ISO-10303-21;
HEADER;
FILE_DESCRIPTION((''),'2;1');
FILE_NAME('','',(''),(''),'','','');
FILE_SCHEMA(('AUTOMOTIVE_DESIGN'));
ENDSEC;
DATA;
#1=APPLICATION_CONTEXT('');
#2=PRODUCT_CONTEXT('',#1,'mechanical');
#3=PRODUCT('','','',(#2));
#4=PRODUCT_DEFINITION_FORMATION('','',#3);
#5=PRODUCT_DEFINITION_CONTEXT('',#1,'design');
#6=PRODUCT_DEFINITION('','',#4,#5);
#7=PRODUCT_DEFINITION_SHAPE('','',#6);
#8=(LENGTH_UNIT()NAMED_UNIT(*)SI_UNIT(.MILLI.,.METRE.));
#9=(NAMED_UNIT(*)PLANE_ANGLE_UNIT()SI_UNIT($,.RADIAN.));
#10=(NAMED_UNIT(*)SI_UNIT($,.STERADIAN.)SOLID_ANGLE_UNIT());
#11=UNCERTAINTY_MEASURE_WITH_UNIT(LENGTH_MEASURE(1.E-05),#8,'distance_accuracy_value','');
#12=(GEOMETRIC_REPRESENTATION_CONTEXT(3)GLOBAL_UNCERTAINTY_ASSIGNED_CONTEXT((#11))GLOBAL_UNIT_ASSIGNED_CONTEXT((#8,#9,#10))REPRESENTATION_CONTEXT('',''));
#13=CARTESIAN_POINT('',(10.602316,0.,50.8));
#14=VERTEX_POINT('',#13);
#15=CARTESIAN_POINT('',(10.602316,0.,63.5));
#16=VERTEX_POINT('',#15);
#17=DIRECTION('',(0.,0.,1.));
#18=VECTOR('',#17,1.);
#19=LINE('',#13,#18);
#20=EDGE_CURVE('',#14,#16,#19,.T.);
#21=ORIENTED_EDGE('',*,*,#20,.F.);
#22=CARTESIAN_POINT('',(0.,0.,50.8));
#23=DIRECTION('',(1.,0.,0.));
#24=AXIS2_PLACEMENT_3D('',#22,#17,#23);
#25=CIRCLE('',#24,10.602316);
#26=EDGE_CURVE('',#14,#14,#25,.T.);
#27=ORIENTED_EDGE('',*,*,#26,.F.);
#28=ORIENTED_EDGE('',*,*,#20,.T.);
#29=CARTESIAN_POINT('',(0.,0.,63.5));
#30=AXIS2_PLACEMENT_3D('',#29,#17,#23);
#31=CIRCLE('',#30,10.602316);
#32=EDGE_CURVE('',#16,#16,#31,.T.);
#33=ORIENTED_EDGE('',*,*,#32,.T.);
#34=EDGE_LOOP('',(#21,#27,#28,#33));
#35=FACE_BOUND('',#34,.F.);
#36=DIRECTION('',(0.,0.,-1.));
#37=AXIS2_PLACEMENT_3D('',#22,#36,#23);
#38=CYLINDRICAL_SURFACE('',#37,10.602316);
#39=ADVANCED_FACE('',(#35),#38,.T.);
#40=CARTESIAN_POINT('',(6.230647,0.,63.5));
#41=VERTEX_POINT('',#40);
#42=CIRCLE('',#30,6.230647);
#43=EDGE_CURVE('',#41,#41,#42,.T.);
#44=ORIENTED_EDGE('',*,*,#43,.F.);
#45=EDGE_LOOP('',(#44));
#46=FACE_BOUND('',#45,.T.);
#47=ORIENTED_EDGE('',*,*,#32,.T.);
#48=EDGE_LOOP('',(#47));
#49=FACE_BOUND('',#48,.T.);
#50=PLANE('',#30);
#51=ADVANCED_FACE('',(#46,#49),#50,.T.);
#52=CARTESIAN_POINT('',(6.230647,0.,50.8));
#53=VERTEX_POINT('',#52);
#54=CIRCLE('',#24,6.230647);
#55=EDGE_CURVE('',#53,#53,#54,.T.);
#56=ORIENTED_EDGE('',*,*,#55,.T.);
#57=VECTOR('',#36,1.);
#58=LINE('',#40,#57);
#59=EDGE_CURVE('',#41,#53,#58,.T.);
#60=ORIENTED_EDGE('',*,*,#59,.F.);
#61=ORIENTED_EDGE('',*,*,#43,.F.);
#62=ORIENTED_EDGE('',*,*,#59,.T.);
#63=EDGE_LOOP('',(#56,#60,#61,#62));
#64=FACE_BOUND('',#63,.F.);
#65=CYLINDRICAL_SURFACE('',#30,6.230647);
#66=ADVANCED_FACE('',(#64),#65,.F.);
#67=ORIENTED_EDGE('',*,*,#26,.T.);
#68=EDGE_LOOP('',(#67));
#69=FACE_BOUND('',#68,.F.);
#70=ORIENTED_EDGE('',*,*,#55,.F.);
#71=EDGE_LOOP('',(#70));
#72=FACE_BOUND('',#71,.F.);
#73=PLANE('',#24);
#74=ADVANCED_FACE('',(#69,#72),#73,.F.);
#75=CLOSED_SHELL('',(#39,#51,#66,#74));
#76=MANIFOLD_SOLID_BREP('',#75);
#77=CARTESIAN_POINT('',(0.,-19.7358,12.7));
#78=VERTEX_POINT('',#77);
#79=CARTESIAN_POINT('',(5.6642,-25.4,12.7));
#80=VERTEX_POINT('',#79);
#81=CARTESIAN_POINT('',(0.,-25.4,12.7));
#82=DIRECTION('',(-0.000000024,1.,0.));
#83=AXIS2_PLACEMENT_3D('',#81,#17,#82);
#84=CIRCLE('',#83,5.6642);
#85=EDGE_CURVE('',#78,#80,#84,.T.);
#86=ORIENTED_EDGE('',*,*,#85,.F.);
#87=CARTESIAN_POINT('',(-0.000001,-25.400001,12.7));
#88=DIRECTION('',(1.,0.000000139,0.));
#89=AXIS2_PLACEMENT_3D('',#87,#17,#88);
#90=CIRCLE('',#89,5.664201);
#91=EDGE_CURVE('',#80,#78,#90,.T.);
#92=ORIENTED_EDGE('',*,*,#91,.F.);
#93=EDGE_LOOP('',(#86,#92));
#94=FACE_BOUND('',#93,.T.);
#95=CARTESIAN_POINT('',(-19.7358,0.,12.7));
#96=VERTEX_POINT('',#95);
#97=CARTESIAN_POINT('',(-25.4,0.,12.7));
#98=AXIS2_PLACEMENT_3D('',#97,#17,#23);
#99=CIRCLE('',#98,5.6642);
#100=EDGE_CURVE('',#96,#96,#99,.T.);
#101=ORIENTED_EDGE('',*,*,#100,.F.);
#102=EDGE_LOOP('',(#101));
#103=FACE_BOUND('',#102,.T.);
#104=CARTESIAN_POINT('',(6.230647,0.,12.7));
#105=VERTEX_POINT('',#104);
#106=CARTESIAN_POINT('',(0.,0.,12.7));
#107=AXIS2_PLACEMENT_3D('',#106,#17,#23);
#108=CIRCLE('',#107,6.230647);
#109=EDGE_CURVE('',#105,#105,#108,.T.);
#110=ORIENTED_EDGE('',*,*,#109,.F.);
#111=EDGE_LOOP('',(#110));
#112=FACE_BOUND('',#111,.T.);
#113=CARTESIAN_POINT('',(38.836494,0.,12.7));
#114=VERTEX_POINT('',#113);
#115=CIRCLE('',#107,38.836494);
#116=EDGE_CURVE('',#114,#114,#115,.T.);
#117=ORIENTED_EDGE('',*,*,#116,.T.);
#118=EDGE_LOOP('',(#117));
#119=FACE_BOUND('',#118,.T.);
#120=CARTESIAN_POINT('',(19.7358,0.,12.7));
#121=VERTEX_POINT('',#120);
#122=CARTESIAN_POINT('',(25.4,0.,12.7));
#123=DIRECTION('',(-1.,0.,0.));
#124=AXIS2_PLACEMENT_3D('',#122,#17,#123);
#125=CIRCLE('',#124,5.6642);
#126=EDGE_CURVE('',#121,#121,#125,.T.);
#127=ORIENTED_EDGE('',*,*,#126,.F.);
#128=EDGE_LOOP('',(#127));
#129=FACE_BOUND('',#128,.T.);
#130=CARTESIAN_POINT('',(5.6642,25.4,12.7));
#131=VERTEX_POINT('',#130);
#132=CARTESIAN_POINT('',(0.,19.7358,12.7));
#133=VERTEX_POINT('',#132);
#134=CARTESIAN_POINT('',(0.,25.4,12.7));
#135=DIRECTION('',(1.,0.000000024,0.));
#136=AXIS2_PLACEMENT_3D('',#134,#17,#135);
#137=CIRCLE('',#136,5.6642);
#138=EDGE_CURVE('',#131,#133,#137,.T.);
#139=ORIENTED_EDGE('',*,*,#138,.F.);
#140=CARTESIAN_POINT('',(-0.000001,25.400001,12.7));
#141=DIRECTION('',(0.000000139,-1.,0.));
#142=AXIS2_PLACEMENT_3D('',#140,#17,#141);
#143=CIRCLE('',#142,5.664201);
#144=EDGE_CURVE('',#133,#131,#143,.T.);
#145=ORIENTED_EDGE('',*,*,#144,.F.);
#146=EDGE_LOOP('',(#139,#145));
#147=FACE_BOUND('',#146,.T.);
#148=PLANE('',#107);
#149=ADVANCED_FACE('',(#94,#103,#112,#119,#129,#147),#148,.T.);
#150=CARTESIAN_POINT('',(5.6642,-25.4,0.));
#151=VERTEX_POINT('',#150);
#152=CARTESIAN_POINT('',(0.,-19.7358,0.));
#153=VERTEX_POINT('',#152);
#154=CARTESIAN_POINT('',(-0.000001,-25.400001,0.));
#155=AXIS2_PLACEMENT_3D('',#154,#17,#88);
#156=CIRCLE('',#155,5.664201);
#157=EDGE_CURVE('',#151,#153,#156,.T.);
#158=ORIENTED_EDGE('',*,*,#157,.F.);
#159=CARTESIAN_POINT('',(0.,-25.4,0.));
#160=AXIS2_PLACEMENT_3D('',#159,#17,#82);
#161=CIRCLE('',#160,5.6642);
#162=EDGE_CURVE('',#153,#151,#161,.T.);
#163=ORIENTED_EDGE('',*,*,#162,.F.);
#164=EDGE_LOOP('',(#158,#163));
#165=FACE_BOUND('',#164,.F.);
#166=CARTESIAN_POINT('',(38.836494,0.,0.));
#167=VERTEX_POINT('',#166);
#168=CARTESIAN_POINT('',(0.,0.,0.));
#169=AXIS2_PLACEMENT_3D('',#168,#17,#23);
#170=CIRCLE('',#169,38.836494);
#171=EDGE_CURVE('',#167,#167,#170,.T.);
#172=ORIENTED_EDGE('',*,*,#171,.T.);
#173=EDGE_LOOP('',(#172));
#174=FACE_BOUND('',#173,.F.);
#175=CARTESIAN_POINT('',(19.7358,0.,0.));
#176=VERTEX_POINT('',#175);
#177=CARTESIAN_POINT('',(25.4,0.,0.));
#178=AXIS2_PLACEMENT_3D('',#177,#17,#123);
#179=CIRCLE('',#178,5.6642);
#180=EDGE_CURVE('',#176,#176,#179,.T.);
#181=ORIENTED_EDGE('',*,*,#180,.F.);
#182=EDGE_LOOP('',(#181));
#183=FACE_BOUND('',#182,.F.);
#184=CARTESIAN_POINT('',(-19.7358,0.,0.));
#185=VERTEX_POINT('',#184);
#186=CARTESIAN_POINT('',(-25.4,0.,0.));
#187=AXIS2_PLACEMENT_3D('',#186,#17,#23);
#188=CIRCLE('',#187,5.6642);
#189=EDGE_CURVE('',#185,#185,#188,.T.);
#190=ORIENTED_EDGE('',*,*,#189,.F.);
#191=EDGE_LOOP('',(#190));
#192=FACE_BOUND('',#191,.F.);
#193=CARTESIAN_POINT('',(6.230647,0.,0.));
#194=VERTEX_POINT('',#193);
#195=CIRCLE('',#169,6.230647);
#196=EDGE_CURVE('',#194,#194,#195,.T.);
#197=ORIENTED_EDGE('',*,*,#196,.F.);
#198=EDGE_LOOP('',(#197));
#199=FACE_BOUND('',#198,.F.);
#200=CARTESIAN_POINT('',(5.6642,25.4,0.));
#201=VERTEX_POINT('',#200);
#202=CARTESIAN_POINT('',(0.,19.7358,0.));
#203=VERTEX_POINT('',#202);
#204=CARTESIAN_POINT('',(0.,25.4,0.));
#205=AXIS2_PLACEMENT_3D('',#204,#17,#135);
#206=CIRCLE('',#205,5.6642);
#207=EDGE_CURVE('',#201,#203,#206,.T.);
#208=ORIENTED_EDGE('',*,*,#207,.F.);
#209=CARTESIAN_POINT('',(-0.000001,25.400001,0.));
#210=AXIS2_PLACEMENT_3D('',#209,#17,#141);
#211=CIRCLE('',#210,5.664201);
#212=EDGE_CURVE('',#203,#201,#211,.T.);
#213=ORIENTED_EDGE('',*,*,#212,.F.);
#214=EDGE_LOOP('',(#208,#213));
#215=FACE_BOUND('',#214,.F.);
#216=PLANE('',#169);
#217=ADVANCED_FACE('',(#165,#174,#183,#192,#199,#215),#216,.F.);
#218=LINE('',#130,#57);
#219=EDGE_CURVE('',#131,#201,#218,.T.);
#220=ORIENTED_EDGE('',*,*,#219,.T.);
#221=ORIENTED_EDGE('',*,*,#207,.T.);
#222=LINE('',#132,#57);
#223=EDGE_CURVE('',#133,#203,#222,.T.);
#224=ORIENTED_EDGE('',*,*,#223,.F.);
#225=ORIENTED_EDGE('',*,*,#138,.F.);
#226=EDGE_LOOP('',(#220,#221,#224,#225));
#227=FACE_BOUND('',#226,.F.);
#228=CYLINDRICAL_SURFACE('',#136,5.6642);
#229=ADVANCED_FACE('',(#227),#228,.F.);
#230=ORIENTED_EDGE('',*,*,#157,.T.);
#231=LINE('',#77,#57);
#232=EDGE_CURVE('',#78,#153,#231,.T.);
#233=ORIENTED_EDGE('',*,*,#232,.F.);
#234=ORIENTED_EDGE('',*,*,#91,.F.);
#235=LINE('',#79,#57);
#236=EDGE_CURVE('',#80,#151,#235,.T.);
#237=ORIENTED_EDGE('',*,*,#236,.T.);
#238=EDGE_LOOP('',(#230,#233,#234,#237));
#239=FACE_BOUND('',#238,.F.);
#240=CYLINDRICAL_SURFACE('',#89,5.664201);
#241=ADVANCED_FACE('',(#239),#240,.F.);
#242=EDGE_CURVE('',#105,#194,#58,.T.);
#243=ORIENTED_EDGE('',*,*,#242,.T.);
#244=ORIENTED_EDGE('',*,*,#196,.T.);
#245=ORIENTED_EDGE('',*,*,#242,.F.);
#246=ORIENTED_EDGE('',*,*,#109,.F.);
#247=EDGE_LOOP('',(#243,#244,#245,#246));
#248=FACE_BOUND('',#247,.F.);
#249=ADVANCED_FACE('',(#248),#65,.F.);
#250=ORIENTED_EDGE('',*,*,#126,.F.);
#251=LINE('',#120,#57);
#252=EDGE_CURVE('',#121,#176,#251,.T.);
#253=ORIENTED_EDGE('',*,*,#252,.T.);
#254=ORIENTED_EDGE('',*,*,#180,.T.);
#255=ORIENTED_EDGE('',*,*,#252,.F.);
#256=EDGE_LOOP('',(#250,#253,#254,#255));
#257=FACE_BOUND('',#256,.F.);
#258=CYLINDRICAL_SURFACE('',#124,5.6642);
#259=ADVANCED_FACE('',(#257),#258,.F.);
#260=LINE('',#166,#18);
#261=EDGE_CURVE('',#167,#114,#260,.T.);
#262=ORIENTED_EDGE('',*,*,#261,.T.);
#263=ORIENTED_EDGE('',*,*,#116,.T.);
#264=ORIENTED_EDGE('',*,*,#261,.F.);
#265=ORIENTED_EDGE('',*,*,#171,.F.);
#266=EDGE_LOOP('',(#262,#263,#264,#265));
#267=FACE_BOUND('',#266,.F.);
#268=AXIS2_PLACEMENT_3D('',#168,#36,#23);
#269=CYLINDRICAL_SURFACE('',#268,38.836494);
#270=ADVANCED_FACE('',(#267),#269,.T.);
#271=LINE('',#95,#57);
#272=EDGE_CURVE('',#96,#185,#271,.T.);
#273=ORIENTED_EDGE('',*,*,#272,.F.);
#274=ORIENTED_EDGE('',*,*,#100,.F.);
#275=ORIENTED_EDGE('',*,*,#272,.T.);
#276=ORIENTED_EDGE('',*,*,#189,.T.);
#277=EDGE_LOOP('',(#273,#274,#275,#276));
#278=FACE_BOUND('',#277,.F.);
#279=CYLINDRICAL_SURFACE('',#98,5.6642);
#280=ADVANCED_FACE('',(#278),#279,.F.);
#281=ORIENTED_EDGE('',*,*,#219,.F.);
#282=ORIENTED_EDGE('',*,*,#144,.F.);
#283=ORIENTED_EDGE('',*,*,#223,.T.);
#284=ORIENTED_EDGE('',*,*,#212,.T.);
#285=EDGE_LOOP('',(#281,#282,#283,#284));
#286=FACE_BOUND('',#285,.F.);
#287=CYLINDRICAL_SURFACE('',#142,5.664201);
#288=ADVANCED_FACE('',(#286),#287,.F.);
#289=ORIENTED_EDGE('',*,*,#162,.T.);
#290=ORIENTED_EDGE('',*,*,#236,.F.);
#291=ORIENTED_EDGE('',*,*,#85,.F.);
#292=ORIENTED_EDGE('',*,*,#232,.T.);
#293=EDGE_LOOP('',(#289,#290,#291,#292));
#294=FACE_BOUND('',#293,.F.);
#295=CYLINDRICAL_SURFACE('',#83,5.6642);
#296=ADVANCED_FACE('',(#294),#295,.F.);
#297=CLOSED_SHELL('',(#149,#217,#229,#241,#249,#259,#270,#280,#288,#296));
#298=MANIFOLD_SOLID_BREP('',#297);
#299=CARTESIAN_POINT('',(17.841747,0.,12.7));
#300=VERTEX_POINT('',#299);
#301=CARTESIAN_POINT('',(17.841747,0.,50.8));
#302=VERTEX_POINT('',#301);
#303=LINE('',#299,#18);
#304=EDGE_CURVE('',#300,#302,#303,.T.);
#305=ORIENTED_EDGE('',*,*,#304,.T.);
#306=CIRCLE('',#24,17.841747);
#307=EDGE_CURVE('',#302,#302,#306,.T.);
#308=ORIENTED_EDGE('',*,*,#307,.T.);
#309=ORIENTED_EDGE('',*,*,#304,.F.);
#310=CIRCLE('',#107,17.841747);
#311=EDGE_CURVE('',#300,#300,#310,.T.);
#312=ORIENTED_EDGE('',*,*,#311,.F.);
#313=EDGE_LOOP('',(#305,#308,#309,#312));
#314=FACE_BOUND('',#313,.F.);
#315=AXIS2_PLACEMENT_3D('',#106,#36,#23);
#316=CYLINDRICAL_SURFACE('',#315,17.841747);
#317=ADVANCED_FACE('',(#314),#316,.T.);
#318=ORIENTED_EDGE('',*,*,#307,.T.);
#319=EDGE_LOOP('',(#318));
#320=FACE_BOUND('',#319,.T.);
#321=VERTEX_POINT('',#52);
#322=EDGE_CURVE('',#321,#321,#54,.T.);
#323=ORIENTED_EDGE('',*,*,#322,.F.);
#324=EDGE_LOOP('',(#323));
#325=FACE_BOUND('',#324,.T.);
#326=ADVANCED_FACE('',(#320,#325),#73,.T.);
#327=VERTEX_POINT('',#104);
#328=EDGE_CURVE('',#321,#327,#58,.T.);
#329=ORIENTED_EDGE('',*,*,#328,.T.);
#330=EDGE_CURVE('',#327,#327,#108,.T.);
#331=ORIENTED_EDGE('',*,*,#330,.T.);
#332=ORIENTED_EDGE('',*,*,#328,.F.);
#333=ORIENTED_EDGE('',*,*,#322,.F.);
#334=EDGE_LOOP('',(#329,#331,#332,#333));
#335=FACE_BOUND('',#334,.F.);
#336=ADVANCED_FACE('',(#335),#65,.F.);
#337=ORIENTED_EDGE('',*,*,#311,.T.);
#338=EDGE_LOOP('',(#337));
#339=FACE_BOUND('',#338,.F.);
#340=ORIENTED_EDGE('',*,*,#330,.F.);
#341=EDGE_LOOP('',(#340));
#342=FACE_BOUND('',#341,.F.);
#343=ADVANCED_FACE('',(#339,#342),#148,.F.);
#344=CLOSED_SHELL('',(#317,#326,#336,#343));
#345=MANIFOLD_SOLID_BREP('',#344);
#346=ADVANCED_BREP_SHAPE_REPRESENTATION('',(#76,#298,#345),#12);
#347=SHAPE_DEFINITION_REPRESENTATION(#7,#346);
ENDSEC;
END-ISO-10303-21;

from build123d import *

# Parameters (mm, degrees)
F0_R     = 38.836494
F1_DEPTH = 12.7
F2_R     = 17.841747
F3_DEPTH = 38.1
F4_R     = 10.602316
F5_DEPTH = 12.7
F6_R     = 6.230647
F7_DEPTH = 63.5
F8_R     = 5.6642
F9_DEPTH = 25.4


with BuildPart() as f1:
    # F0 (on Top) → F1 (new body)
    with BuildSketch(Plane.XY):
        Circle(F0_R)
    extrude(amount=F1_DEPTH)


with BuildPart() as f3:
    # F2 (on face) → F3 (new body)
    with BuildSketch(Plane.XY.offset(12.7)):
        Circle(F2_R)
    extrude(amount=F3_DEPTH)


with BuildPart() as f5:
    # F4 (on face) → F5 (new body)
    with BuildSketch(Plane.XY.offset(50.8)):
        Circle(F4_R)
    extrude(amount=F5_DEPTH)


with BuildPart() as f7_tool:
    # F6 (on face) → F7 (new body)
    with BuildSketch(Plane.XY.offset(63.5)):
        Circle(F6_R)
    extrude(amount=-F7_DEPTH)


with BuildPart() as f1_1:
    add(f1.part)

    # F7: cut by f7_tool
    add(f7_tool.part, mode=Mode.SUBTRACT)

    # F8 (on face) → F9 (cut)
    with BuildSketch(Plane.XY.offset(12.7)):
        with BuildLine():
            ThreePointArc((5.6642, 25.4), (-4.005194, 29.405194), (0, 19.7358))
            ThreePointArc((0, 19.7358), (4.005194, 21.394806), (5.6642, 25.4))
        make_face()
        with BuildLine():
            ThreePointArc((5.6642, -25.4), (4.005194, -21.394806), (0, -19.7358))
            ThreePointArc((0, -19.7358), (-4.005194, -29.405194), (5.6642, -25.4))
        make_face()
        with BuildLine():
            ThreePointArc((31.0642, 0), (25.4, 5.6642), (19.7358, 0))
            ThreePointArc((19.7358, 0), (25.4, -5.6642), (31.0642, 0))
        make_face()
        with Locations((-25.4, 0)):
            Circle(F8_R)
    extrude(amount=-F9_DEPTH, mode=Mode.SUBTRACT)


with BuildPart() as f3_1:
    add(f3.part)

    # F7: cut by f7_tool
    add(f7_tool.part, mode=Mode.SUBTRACT)


with BuildPart() as f5_1:
    add(f5.part)

    # F7: cut by f7_tool
    add(f7_tool.part, mode=Mode.SUBTRACT)


solid = Compound([f1_1.part, f3_1.part, f5_1.part])
